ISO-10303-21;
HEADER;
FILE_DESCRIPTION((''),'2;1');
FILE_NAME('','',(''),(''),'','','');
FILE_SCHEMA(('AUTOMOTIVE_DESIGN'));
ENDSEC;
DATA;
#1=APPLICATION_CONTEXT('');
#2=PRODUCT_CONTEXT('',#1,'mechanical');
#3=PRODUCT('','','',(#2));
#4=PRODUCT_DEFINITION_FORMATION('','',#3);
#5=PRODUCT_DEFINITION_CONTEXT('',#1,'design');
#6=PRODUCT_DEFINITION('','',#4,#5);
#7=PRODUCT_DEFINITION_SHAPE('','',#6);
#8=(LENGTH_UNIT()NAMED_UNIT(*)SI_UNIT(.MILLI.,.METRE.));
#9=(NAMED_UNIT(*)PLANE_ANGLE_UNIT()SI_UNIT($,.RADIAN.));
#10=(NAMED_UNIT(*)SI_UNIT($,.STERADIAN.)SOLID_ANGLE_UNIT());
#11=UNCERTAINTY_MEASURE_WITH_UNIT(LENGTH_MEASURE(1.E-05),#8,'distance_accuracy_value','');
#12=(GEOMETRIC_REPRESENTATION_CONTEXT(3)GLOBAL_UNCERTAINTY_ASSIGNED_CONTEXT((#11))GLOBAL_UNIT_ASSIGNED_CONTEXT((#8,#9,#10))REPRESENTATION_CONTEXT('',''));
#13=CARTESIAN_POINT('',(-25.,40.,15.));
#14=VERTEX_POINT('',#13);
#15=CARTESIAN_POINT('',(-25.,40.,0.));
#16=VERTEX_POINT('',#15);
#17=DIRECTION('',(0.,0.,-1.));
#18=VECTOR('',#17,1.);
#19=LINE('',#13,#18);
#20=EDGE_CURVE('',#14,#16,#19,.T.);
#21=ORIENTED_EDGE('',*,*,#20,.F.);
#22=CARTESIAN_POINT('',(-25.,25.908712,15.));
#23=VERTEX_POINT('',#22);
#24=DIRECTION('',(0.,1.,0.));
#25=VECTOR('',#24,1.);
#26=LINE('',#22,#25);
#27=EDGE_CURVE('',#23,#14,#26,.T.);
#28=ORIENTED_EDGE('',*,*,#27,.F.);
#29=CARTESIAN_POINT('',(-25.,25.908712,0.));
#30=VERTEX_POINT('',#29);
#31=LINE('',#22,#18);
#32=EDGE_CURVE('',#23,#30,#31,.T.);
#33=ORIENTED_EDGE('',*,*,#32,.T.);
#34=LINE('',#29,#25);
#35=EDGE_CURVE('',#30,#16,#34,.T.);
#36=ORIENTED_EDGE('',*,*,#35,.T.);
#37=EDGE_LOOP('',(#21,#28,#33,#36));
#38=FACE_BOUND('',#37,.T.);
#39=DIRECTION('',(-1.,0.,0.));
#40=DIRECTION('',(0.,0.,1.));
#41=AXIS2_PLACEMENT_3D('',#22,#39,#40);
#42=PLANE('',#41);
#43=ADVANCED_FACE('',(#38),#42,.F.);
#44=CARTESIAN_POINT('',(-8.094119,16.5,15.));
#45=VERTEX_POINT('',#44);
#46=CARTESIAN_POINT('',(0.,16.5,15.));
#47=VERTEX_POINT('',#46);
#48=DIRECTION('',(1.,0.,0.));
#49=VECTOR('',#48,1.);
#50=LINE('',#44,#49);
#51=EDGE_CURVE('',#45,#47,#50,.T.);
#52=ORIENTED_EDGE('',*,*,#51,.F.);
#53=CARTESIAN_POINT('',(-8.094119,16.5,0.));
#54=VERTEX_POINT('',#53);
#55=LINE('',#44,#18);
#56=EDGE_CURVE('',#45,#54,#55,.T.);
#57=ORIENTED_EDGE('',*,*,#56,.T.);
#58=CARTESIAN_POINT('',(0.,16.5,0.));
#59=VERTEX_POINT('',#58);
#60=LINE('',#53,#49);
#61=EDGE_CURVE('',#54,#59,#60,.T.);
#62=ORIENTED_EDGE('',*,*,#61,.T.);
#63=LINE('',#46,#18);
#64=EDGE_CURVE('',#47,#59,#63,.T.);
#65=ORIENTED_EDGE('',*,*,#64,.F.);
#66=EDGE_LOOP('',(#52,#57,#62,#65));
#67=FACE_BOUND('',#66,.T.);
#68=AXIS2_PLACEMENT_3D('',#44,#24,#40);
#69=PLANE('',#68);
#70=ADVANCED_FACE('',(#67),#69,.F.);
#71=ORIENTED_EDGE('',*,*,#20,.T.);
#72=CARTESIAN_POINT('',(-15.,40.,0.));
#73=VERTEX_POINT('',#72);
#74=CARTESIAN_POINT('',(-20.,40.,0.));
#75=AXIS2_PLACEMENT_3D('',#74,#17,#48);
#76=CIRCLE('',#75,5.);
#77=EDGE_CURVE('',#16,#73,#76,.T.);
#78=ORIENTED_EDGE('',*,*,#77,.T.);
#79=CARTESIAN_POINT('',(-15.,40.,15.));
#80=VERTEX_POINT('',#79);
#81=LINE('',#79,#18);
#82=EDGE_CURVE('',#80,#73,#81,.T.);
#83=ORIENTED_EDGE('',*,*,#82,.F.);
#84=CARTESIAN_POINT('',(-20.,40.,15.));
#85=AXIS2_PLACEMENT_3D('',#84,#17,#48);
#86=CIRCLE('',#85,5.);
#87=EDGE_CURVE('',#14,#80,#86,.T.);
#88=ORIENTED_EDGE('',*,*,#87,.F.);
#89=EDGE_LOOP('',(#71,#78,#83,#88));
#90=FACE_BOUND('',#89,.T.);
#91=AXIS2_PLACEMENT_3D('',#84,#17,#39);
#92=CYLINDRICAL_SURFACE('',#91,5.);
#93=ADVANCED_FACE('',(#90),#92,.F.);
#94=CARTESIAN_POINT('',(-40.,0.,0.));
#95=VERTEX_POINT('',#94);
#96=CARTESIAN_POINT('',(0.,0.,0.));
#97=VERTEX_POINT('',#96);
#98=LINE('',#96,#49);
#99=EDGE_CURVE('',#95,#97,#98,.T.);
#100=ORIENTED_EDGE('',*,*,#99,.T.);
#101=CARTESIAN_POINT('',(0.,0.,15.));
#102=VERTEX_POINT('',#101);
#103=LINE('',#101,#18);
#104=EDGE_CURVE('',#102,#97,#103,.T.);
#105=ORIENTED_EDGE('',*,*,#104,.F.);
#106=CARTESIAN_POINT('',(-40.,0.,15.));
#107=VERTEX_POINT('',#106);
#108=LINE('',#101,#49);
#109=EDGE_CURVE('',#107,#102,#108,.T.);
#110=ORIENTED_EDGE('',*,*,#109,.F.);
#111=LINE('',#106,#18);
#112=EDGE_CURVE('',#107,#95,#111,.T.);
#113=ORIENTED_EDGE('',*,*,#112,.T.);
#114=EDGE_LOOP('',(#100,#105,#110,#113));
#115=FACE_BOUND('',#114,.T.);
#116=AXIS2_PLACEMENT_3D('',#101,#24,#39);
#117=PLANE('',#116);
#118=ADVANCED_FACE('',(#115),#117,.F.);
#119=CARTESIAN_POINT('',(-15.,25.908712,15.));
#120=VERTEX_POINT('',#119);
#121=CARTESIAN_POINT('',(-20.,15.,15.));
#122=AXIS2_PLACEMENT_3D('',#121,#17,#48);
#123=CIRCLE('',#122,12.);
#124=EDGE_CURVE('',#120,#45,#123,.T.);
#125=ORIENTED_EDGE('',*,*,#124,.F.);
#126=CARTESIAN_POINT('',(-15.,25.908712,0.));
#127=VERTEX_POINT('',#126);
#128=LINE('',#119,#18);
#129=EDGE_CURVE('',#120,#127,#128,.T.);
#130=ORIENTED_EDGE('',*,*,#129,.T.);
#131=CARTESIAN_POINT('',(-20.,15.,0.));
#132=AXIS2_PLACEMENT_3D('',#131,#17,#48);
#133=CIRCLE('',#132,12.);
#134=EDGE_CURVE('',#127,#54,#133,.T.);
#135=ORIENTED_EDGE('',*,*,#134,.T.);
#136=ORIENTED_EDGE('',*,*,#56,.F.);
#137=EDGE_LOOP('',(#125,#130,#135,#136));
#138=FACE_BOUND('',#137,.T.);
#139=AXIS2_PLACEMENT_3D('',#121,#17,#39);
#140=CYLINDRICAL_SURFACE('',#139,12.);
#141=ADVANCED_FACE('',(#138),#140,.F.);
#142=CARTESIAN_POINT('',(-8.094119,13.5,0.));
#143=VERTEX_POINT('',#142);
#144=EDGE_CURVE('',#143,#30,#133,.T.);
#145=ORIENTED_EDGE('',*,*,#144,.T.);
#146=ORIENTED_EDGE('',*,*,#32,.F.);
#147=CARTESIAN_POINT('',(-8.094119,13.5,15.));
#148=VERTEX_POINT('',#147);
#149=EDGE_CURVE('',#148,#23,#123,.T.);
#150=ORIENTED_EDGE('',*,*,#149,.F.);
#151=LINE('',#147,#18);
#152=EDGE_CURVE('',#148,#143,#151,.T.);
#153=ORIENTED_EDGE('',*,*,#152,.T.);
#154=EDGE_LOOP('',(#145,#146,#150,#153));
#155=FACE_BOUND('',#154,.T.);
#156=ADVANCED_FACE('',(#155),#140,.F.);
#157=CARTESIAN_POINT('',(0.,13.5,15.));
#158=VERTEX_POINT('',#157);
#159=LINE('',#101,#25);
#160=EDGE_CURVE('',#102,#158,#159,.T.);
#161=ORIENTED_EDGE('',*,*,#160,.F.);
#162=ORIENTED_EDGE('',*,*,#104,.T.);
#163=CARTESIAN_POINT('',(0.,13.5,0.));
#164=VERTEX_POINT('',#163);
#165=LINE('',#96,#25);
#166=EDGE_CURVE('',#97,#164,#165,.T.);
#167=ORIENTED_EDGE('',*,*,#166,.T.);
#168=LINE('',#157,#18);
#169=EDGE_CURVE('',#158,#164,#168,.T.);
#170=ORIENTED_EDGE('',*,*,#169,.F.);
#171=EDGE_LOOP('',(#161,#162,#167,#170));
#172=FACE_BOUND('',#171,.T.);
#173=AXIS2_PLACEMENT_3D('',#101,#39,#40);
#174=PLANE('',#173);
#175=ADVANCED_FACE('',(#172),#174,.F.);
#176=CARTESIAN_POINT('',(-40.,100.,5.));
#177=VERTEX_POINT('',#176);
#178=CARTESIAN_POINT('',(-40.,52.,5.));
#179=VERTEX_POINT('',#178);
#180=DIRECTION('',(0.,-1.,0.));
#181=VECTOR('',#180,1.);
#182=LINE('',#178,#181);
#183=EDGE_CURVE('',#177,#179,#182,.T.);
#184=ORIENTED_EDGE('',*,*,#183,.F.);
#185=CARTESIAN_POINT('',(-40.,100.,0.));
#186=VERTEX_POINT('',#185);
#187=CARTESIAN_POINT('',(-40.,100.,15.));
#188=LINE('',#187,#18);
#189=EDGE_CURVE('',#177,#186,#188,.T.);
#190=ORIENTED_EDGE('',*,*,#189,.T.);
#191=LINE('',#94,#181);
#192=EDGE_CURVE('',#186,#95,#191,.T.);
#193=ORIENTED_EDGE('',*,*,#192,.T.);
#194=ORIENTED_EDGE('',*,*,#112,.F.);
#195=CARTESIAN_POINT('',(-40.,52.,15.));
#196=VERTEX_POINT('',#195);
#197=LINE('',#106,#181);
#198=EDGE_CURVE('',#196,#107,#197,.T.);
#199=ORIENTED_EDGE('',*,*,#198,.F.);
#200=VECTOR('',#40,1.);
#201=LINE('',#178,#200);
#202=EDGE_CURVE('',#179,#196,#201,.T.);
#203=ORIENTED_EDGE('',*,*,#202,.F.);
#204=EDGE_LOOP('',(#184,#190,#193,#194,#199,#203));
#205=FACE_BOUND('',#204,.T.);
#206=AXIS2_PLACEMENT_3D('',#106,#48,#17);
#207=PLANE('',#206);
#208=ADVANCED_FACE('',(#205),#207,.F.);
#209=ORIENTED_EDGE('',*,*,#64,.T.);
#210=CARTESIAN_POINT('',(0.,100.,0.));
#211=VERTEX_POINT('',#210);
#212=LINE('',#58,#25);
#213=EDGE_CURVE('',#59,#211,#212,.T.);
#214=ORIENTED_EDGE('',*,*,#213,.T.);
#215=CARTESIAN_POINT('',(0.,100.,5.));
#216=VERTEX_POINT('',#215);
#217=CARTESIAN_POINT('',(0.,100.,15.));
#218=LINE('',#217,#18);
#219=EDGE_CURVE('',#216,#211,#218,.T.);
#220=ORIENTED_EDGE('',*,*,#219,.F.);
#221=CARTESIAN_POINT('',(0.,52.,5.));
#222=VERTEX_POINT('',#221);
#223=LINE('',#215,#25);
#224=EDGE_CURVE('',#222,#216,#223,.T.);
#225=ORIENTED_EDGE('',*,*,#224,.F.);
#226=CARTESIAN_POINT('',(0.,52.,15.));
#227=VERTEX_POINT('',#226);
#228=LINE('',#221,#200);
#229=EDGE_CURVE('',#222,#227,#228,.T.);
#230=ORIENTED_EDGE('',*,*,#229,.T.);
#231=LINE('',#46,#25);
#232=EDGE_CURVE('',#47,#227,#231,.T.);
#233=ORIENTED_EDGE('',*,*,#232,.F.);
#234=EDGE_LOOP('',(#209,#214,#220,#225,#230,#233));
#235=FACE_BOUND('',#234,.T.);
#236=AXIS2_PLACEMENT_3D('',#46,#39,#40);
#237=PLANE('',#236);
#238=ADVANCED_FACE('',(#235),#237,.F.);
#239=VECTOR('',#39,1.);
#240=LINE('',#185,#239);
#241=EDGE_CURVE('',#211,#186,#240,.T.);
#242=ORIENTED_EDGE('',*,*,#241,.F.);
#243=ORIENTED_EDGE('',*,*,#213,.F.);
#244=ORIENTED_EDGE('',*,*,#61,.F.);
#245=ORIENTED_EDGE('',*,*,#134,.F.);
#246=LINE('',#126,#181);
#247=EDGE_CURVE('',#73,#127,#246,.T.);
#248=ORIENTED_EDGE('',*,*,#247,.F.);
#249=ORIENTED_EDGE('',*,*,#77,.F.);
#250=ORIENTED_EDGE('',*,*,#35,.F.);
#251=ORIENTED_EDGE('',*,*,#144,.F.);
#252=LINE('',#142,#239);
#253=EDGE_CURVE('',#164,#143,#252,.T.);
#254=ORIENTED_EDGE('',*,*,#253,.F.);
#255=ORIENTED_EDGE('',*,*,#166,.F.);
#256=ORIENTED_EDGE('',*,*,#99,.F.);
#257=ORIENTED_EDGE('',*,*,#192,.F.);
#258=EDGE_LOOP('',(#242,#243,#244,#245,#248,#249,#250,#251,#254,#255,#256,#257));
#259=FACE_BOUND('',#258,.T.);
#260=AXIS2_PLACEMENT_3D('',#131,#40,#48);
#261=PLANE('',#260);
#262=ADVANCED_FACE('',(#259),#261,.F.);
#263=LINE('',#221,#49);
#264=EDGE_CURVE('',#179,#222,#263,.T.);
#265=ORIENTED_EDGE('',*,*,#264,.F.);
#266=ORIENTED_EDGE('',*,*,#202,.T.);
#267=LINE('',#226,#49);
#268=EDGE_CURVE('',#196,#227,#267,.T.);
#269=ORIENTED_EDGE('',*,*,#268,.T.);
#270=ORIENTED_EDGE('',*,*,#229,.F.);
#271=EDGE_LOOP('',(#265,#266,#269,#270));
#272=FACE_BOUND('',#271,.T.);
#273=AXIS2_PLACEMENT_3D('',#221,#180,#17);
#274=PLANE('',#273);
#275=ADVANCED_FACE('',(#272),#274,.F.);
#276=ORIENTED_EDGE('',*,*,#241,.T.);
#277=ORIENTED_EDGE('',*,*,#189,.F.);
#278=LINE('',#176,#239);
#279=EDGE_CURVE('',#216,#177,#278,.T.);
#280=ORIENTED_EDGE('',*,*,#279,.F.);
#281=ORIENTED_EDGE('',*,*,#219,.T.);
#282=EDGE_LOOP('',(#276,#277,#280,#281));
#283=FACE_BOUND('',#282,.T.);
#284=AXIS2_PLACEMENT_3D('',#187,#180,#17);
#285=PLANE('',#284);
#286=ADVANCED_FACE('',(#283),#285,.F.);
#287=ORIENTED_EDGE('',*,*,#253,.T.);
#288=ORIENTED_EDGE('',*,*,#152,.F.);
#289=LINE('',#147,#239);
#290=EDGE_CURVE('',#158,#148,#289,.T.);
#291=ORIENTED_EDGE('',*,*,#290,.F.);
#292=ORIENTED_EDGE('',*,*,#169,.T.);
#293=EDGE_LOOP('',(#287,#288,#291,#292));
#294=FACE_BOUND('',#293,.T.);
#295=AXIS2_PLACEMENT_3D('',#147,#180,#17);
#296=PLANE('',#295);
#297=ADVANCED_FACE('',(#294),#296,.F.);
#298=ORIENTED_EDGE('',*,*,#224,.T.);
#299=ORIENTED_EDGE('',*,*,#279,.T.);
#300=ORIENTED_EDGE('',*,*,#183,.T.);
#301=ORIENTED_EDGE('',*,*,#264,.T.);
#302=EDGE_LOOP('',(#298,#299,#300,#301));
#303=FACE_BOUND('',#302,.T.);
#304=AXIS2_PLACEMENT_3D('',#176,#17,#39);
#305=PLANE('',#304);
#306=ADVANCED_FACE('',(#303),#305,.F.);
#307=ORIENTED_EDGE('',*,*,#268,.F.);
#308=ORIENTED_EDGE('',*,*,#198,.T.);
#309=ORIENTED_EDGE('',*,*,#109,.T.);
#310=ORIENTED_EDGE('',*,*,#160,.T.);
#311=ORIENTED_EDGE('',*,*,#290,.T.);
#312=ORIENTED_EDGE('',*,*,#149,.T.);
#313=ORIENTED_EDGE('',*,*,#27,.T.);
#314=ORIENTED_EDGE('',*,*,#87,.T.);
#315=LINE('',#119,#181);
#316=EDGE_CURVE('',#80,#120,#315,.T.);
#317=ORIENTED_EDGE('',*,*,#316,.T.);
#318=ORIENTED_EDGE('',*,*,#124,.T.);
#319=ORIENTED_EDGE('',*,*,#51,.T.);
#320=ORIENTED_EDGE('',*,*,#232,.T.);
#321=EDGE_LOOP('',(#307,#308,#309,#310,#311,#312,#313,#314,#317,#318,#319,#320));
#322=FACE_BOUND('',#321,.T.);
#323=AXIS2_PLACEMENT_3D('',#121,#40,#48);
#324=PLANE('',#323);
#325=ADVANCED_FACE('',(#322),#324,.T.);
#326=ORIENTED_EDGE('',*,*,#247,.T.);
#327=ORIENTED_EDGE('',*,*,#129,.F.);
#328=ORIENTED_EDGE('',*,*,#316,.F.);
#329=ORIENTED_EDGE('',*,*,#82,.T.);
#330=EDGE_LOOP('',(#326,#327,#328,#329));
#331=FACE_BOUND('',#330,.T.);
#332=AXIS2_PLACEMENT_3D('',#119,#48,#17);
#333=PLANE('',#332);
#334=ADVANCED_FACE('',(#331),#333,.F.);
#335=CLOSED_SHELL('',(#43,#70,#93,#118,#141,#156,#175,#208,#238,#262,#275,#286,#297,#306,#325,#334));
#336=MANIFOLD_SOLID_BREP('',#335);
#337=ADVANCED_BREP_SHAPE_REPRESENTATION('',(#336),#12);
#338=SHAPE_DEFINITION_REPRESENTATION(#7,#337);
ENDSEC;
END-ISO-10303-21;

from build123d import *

# Parameters (mm, degrees)
EXTRUSION1_DEPTH = 15
ESQUISSE2_W      = 40
ESQUISSE2_H      = 48
EXTRUSION2_DEPTH = 10


with BuildPart() as part:
    # Esquisse1 → Extrusion1 (new body)
    with BuildSketch(Plane.XY):
        with BuildLine():
            Line((0, 0), (-40, 0))
            Line((-40, 0), (-40, 100))
            Line((-40, 100), (0, 100))
            Line((0, 100), (0, 16.5))
            Line((0, 16.5), (-8.0941191, 16.5))
            ThreePointArc((-8.0941191, 16.5), (-10.32616063, 22.100481099), (-15, 25.908712115))
            Line((-15, 25.908712115), (-15, 40))
            ThreePointArc((-15, 40), (-20, 45), (-25, 40))
            Line((-25, 40), (-25, 25.908712115))
            ThreePointArc((-25, 25.908712115), (-27.100481099, 5.32616063), (-8.0941191, 13.5))
            Line((-8.0941191, 13.5), (0, 13.5))
            Line((0, 13.5), (0, 0))
        make_face()
    extrude(amount=EXTRUSION1_DEPTH)

    # Esquisse2 → Extrusion2 (cut)
    with BuildSketch(Plane.XY.offset(15)):
        with Locations((-20, 76)):
            Rectangle(ESQUISSE2_W, ESQUISSE2_H)
    extrude(amount=-EXTRUSION2_DEPTH, mode=Mode.SUBTRACT)


solid = part.part
